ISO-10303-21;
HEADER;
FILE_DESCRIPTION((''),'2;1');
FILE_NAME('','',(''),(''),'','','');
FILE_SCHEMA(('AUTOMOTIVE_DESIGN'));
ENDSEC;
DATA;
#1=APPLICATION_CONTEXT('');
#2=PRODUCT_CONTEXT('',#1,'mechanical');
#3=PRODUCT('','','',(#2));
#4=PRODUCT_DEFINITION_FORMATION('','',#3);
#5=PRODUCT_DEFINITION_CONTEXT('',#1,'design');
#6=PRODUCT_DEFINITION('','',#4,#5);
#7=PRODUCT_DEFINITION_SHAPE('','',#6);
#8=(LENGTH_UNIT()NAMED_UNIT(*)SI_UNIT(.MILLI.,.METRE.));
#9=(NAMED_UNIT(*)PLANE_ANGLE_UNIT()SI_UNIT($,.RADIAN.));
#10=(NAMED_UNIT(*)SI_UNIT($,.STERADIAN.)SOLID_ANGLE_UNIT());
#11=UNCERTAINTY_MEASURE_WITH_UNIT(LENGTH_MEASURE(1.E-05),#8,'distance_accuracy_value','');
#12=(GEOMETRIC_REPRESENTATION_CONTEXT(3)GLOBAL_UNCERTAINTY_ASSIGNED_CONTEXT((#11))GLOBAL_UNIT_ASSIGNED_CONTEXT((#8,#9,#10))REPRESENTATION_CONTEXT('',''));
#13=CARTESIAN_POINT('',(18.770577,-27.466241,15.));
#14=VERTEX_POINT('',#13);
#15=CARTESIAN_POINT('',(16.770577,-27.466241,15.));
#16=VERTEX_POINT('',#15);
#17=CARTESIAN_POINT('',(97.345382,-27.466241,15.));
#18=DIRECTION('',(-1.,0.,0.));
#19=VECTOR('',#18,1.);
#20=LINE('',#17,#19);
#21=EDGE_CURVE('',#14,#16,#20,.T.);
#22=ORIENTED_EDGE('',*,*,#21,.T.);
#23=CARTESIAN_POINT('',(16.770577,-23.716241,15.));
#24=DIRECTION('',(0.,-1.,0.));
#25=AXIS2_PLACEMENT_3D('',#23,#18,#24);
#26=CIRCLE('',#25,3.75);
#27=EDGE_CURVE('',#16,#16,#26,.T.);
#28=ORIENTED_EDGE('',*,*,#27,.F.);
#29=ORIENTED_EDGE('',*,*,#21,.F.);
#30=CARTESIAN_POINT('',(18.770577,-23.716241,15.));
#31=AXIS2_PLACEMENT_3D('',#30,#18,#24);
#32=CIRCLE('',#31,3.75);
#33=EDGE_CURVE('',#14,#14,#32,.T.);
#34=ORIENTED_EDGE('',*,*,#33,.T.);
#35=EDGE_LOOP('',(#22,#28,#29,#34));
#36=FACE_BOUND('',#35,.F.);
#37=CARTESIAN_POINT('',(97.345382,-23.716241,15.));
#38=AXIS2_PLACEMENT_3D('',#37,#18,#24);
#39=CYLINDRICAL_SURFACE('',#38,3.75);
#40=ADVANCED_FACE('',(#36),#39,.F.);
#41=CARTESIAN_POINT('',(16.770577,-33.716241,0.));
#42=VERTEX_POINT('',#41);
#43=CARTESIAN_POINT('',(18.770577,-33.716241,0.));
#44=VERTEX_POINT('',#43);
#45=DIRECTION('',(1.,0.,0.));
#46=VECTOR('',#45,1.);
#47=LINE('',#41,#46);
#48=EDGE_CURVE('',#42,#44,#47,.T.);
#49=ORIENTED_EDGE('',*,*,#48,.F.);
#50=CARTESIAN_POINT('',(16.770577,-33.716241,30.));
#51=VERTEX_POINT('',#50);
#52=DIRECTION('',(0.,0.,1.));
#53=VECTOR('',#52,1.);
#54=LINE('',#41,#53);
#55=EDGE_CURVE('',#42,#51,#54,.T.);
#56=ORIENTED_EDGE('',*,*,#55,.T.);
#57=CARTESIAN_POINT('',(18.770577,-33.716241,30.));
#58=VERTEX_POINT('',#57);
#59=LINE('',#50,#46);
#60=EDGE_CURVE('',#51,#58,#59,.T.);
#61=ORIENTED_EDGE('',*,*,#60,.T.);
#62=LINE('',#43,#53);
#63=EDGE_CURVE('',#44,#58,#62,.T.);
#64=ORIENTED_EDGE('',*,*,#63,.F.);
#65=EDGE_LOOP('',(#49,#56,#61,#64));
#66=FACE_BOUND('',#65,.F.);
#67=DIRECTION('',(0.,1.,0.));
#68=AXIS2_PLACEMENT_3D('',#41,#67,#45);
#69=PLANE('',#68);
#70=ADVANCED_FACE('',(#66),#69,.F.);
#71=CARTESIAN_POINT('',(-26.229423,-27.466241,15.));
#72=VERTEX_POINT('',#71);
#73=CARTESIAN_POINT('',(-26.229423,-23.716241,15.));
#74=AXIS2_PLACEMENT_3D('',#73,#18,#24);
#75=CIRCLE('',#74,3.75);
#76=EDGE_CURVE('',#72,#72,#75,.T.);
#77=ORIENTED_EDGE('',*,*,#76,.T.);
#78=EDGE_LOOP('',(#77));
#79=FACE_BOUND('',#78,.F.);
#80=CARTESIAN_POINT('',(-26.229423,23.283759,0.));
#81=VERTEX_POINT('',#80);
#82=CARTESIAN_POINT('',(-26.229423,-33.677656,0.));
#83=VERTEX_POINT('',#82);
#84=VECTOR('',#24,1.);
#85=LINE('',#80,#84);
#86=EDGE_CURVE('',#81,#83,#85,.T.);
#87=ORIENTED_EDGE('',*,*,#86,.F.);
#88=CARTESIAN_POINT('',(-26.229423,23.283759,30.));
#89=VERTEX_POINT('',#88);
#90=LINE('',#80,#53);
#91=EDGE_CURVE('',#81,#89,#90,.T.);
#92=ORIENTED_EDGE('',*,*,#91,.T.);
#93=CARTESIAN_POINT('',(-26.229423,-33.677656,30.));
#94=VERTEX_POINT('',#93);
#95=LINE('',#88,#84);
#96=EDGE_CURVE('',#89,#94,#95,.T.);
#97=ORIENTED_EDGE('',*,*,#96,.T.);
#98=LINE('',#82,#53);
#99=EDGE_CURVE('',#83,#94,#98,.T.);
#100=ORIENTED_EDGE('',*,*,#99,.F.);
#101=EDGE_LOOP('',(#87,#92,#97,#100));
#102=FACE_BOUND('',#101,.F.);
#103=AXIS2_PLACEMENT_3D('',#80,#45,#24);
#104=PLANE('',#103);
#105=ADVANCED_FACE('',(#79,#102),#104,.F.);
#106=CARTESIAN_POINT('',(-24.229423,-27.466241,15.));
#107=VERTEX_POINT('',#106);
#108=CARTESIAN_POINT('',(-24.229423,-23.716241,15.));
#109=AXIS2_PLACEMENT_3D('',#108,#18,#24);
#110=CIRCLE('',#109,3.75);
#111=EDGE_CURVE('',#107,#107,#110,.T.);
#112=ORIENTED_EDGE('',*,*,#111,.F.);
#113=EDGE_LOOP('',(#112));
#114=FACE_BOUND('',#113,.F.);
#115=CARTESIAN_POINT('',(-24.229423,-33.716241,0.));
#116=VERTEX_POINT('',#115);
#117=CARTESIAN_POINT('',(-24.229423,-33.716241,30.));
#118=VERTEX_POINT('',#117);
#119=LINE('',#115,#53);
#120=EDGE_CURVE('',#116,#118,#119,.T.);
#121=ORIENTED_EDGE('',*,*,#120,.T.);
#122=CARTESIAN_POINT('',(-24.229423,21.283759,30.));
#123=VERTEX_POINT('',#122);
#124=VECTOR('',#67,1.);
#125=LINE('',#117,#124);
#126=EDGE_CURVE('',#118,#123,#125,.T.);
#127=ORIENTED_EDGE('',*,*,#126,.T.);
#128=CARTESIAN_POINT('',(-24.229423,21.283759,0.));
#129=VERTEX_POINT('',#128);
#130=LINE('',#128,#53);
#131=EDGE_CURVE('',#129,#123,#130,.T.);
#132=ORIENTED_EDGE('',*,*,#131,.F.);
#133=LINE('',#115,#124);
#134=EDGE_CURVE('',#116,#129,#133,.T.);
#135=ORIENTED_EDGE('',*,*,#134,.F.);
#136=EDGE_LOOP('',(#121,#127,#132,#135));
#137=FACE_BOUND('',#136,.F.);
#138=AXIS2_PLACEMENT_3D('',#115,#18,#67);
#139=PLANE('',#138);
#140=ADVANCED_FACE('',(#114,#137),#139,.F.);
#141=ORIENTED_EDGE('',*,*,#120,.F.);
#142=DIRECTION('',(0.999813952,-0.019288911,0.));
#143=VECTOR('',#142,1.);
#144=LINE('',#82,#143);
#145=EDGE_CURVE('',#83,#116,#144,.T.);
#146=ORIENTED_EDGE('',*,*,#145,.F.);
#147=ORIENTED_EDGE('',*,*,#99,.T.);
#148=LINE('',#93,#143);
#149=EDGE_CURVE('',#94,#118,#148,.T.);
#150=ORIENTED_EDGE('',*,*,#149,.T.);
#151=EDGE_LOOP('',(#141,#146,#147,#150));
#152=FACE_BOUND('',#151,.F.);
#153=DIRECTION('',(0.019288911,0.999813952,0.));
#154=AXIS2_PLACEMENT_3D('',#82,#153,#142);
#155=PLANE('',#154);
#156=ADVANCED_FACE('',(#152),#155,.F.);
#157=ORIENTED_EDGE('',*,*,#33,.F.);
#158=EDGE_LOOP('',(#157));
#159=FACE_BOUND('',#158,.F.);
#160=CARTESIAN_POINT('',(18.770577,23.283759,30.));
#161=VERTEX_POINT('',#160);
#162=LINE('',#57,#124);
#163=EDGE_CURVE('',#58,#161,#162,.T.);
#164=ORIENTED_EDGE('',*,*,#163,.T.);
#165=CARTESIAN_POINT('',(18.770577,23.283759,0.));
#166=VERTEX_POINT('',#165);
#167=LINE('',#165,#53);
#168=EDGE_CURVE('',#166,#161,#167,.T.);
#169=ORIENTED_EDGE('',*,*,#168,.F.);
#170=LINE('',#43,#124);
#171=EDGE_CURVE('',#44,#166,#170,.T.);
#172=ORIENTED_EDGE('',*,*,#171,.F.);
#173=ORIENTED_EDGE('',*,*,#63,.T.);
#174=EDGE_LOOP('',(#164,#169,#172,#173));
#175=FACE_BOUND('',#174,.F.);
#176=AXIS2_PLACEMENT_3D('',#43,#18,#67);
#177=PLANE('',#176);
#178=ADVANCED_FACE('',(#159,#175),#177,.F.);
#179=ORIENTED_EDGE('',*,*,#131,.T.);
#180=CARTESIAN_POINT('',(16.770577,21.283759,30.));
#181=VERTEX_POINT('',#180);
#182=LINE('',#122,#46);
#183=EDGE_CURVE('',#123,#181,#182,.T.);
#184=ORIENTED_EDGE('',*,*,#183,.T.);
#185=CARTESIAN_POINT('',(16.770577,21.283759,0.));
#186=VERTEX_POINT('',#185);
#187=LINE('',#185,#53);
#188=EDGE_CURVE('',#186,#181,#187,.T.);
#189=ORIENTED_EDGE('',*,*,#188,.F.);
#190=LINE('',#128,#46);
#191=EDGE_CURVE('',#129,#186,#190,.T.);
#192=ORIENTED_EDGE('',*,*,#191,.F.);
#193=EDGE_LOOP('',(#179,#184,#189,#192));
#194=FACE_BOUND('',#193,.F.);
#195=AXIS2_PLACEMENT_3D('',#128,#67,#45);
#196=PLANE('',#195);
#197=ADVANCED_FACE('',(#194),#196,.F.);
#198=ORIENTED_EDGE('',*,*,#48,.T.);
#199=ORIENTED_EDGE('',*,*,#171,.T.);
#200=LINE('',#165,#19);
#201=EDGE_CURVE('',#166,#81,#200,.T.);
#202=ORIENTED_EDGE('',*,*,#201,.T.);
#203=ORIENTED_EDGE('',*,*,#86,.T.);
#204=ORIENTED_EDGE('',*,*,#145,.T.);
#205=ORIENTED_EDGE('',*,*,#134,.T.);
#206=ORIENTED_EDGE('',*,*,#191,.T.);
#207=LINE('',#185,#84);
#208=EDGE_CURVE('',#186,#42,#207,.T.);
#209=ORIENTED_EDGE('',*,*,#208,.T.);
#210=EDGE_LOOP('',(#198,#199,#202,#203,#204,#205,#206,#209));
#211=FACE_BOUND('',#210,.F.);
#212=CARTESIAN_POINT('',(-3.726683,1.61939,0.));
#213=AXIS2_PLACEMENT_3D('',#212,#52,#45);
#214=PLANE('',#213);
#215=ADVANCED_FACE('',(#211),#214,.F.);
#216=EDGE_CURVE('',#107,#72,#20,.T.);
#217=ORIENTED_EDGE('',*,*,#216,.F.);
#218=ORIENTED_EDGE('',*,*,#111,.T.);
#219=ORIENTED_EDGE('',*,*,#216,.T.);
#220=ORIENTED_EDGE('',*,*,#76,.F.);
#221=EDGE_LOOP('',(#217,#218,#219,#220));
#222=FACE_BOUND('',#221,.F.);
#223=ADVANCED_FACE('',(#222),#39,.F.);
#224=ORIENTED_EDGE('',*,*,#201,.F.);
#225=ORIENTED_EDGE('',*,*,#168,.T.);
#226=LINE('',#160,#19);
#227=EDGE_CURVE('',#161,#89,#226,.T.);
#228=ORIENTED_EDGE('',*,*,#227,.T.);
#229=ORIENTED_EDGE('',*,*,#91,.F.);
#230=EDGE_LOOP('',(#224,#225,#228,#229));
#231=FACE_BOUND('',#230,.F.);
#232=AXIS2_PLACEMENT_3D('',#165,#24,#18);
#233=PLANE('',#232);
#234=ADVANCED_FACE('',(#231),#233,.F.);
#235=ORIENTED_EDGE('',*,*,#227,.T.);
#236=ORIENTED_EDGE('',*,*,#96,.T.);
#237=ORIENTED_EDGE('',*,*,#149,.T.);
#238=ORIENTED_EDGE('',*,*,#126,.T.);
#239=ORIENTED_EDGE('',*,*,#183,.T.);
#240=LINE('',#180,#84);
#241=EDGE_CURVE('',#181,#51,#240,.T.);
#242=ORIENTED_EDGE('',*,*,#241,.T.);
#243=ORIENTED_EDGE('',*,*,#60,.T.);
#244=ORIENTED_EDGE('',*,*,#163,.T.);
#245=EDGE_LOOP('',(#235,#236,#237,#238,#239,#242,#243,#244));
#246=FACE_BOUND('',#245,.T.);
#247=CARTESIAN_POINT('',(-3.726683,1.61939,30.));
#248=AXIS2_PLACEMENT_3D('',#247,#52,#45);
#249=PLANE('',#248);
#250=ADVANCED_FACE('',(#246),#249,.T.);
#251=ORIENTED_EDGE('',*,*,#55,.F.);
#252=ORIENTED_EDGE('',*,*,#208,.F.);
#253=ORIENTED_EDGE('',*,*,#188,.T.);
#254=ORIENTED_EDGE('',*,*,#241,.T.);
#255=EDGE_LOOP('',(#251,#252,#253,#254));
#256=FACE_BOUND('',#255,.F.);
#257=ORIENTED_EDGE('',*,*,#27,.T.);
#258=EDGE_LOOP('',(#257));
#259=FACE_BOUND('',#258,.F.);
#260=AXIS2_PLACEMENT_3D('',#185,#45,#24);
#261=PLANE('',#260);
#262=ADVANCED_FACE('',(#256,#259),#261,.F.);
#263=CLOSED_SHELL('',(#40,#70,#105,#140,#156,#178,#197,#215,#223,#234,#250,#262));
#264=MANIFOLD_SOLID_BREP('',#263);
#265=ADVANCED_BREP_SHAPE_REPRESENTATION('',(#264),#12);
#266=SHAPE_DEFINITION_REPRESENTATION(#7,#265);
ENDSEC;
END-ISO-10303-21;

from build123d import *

# Parameters (mm, degrees)
F1_DEPTH = 30
F3_D     = 7.5


with BuildPart() as f1:
    # F0 (on Top) → F1 (new body)
    with BuildSketch(Plane.XY):
        Polygon((-24.229423, -33.716241), (-24.229423, 21.283759), (16.770577, 21.283759), (16.770577, -33.716241), (18.770577, -33.716241), (18.770577, 23.283759), (-26.229423, 23.283759), (-26.229423, -33.677656), align=None)
    extrude(amount=F1_DEPTH)

    # F3 (through all)
    with Locations(Plane.YZ.offset(18.770577)):
        with Locations((-23.716241, 15)):
            Hole(F3_D / 2)


solid = f1.part
